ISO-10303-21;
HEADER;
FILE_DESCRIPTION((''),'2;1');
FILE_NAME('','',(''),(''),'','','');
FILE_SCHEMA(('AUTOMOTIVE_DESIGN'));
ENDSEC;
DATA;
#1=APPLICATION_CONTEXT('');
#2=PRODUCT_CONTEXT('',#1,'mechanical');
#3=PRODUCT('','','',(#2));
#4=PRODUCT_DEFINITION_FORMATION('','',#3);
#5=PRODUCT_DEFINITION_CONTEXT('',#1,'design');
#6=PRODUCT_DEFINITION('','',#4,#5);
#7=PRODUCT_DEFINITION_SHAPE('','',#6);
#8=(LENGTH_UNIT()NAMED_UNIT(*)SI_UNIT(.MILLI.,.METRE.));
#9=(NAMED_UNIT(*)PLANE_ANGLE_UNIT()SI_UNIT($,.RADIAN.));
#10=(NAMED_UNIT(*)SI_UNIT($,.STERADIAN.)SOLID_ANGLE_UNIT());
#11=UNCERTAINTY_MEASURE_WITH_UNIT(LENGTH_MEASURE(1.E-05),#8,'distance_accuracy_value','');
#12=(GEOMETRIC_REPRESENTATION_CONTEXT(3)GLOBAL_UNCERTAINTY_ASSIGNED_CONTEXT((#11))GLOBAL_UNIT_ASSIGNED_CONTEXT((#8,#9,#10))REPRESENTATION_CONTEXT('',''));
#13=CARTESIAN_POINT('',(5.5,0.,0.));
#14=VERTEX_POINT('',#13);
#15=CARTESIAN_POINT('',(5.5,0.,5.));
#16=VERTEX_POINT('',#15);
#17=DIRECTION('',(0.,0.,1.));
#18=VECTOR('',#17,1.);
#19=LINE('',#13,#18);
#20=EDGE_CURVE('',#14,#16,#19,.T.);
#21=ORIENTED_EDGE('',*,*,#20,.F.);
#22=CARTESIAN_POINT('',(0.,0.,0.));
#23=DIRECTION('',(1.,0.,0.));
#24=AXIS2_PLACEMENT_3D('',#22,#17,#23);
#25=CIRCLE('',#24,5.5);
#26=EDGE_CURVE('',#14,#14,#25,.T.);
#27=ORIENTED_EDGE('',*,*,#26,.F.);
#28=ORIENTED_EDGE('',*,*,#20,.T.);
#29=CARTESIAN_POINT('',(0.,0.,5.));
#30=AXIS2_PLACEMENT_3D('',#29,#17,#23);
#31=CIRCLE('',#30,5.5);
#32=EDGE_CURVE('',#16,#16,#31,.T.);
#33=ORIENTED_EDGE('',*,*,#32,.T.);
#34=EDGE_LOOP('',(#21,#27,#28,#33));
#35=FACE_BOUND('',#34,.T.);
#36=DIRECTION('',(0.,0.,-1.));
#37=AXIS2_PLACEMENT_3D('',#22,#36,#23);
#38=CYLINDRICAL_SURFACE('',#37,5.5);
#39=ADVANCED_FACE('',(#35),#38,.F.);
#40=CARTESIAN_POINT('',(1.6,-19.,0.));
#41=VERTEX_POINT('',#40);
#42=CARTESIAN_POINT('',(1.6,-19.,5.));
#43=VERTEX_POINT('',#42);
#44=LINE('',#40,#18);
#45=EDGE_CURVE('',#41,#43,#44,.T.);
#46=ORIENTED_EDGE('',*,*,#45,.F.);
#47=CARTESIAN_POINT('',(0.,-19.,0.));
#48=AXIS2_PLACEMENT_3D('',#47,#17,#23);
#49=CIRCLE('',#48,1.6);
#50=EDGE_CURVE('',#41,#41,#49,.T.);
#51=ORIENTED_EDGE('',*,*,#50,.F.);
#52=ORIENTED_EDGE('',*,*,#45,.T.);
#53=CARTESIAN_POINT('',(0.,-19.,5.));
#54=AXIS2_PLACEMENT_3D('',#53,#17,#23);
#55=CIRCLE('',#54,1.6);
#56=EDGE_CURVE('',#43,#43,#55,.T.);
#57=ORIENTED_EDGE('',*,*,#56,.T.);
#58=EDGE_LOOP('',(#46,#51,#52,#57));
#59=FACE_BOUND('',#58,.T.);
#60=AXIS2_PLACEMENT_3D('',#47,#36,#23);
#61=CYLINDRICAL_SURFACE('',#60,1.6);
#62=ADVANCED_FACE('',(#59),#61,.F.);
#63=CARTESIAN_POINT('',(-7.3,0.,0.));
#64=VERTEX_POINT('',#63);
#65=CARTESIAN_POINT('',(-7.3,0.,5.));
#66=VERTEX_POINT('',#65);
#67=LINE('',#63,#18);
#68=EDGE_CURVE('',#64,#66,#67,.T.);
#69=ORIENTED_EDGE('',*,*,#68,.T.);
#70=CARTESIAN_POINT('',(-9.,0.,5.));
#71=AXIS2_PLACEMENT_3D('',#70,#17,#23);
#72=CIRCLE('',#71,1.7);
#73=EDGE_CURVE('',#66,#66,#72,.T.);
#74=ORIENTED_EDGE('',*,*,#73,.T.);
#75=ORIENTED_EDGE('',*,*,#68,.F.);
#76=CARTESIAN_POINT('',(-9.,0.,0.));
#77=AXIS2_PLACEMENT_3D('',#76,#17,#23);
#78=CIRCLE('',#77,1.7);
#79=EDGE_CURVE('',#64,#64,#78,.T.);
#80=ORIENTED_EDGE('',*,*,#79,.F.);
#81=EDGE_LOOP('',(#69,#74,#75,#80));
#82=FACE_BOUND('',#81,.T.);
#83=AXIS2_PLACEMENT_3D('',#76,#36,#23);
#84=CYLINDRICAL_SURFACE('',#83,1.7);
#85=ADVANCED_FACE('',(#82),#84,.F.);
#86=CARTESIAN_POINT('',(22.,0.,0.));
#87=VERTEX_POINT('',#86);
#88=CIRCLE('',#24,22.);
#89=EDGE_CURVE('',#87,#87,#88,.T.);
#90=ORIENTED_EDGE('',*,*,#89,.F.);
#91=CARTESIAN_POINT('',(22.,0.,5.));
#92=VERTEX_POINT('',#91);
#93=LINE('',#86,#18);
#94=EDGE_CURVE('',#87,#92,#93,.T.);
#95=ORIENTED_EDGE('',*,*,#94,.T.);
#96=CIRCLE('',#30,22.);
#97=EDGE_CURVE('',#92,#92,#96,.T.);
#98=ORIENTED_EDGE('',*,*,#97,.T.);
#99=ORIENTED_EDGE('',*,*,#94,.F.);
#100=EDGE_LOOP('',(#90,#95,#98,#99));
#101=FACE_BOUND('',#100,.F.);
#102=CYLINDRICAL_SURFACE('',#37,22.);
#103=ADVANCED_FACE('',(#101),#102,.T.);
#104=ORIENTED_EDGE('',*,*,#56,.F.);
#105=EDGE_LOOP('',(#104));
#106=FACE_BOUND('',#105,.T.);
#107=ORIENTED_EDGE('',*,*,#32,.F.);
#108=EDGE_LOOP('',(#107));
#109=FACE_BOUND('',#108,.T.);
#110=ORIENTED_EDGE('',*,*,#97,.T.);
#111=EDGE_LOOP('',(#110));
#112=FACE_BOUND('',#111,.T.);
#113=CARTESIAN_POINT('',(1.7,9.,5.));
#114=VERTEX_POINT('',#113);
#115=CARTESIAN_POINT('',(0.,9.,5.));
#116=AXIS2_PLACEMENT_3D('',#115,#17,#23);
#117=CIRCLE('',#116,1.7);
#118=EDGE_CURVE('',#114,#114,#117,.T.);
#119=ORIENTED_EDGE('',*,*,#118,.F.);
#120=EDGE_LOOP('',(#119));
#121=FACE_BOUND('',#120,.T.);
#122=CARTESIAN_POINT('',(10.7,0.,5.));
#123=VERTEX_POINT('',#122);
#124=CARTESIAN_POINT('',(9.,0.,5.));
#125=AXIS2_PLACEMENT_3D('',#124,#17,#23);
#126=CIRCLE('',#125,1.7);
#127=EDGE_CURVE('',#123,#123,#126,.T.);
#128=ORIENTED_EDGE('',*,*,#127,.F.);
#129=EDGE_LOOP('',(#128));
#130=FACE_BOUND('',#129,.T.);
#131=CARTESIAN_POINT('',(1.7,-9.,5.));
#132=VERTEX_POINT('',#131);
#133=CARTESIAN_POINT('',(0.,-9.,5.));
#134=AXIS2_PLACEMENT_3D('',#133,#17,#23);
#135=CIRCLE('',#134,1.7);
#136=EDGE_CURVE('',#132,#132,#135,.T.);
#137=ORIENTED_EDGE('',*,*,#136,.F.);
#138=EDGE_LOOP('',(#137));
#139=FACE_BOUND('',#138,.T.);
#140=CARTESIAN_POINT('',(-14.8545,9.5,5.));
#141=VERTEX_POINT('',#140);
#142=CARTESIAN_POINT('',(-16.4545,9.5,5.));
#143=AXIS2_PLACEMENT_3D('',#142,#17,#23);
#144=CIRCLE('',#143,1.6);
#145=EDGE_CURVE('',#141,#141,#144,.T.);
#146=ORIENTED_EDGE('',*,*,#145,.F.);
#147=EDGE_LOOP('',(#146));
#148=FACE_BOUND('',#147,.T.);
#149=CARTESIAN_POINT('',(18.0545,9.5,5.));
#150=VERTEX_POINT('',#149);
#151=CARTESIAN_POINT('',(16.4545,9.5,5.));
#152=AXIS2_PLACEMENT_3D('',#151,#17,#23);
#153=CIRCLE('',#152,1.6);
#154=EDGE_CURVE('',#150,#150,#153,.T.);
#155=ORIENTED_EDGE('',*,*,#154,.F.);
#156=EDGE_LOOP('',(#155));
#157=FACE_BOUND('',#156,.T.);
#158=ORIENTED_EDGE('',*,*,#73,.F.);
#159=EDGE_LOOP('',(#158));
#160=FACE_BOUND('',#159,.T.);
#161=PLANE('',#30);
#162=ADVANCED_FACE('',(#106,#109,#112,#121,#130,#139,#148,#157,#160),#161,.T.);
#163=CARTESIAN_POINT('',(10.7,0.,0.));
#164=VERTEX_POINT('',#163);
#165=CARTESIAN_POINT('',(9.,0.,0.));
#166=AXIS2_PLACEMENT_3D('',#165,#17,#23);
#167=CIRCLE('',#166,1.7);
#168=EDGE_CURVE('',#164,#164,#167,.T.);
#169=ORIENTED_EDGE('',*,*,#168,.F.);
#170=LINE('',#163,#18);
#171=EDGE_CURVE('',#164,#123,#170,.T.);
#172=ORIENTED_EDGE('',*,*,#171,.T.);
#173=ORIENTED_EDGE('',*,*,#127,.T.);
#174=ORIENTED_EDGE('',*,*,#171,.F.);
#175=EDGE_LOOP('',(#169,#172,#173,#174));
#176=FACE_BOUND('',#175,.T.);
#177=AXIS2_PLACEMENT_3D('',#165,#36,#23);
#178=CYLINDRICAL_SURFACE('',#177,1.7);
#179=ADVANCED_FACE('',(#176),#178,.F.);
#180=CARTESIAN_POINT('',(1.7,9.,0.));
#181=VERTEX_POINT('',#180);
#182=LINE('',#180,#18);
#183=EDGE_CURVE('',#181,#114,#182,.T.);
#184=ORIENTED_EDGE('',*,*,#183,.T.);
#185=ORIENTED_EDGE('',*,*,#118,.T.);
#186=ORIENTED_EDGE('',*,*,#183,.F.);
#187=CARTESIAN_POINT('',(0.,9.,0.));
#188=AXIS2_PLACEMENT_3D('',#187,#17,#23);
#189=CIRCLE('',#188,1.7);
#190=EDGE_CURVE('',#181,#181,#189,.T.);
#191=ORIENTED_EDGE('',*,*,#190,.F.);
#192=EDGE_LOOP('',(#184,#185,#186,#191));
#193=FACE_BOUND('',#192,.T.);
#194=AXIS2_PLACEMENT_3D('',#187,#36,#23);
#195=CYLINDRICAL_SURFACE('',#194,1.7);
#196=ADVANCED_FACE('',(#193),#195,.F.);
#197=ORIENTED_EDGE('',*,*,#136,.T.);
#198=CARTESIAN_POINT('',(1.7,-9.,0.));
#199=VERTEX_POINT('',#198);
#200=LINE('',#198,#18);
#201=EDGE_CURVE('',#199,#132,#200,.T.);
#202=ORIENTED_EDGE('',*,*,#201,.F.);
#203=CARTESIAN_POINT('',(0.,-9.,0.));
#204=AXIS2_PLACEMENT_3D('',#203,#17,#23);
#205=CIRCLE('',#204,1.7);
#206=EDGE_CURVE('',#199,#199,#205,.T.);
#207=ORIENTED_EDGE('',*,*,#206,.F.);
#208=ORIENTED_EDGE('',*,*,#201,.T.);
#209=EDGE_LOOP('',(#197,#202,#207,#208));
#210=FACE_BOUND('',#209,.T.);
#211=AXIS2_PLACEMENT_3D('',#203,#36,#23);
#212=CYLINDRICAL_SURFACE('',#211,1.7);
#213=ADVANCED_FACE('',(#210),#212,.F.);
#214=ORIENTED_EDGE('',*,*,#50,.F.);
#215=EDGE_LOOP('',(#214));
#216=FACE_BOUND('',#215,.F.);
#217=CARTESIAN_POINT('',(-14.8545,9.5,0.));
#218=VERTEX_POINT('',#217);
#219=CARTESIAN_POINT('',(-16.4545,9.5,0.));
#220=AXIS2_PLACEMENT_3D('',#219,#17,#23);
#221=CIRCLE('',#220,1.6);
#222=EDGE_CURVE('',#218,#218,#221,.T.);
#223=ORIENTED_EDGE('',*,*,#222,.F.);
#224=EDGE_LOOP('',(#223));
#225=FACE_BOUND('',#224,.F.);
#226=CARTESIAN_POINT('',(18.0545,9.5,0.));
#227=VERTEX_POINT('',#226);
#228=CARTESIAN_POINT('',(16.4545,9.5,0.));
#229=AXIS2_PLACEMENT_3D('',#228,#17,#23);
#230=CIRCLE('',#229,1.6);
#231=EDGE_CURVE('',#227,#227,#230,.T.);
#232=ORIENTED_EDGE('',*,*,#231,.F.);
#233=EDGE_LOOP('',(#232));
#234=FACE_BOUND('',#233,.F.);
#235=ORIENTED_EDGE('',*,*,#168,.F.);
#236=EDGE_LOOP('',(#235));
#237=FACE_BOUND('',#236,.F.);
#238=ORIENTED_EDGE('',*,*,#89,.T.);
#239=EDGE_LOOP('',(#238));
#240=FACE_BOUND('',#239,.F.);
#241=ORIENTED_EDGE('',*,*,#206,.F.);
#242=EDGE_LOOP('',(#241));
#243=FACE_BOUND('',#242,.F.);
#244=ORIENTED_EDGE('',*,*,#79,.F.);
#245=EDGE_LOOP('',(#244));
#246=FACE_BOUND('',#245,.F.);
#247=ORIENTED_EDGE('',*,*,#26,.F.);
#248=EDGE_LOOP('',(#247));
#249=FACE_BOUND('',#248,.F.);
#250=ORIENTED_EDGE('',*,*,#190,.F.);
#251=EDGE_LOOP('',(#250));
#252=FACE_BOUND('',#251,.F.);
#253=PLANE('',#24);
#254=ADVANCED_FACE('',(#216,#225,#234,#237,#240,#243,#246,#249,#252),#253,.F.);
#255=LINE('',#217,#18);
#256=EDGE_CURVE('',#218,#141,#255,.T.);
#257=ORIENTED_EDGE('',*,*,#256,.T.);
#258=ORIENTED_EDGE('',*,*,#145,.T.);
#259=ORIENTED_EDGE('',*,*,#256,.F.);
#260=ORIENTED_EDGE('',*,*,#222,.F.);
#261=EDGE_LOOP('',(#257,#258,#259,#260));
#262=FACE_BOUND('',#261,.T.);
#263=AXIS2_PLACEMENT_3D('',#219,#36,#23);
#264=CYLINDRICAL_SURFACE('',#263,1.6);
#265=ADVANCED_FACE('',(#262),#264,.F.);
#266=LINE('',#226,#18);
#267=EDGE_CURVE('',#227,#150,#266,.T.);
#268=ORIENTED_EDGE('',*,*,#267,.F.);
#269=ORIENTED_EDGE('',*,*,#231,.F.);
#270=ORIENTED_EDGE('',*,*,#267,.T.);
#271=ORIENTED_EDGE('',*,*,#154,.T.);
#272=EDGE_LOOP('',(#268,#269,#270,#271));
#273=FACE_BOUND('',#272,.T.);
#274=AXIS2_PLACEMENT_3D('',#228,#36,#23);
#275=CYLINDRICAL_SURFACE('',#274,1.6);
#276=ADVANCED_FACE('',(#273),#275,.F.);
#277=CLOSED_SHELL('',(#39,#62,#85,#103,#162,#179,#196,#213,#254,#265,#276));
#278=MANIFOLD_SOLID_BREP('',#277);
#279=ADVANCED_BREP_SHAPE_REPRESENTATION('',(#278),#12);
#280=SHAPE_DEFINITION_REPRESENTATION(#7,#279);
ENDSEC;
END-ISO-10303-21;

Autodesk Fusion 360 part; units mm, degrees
sketch "Esquisse1" plane through (0, 0, 0) normal (0, 0, 1) x (1, 0, 0)
  circle A0 centre (0, 0) radius 22
  circle A1 centre (0, -9) radius 1.7
  circle A2 centre (0, 0) radius 5.5
  circle A3 centre (9, 0) radius 1.7
  circle A4 centre (0, 9) radius 1.7
  circle A5 centre (-9, 0) radius 1.7
  line L0 (0, 0) -> (0, -22) construction
  line L1 (0, 0) -> (0, -20) construction
  line L2 (0, 0) -> (20, 0) construction
  circle A6 centre (0, -19) radius 1.6
  circle A7 centre (16.4545, 9.5) radius 1.6
  circle A8 centre (-16.4545, 9.5) radius 1.6
  point P0 (2.1213, -9.1924)
  point P1 (9.1924, -2.1213)
  point P2 (2.1213, -9.1924)
  point P3 (9.1924, -2.1213)
  point P4 (6.364, -13.435)
  point P5 (13.435, -6.364)
  dimension "d1" = 44
  dimension "d2" = 3.4
  dimension "d3" = 9
  dimension "d4" = 11
  dimension "d6" = 360
  dimension "d17" = 90
  dimension "d18" = 3.2
  dimension "d19" = 19
  dimension "d21" = 360
extrude "Extrusion1" add sketch "Esquisse1" along normal blind 5
